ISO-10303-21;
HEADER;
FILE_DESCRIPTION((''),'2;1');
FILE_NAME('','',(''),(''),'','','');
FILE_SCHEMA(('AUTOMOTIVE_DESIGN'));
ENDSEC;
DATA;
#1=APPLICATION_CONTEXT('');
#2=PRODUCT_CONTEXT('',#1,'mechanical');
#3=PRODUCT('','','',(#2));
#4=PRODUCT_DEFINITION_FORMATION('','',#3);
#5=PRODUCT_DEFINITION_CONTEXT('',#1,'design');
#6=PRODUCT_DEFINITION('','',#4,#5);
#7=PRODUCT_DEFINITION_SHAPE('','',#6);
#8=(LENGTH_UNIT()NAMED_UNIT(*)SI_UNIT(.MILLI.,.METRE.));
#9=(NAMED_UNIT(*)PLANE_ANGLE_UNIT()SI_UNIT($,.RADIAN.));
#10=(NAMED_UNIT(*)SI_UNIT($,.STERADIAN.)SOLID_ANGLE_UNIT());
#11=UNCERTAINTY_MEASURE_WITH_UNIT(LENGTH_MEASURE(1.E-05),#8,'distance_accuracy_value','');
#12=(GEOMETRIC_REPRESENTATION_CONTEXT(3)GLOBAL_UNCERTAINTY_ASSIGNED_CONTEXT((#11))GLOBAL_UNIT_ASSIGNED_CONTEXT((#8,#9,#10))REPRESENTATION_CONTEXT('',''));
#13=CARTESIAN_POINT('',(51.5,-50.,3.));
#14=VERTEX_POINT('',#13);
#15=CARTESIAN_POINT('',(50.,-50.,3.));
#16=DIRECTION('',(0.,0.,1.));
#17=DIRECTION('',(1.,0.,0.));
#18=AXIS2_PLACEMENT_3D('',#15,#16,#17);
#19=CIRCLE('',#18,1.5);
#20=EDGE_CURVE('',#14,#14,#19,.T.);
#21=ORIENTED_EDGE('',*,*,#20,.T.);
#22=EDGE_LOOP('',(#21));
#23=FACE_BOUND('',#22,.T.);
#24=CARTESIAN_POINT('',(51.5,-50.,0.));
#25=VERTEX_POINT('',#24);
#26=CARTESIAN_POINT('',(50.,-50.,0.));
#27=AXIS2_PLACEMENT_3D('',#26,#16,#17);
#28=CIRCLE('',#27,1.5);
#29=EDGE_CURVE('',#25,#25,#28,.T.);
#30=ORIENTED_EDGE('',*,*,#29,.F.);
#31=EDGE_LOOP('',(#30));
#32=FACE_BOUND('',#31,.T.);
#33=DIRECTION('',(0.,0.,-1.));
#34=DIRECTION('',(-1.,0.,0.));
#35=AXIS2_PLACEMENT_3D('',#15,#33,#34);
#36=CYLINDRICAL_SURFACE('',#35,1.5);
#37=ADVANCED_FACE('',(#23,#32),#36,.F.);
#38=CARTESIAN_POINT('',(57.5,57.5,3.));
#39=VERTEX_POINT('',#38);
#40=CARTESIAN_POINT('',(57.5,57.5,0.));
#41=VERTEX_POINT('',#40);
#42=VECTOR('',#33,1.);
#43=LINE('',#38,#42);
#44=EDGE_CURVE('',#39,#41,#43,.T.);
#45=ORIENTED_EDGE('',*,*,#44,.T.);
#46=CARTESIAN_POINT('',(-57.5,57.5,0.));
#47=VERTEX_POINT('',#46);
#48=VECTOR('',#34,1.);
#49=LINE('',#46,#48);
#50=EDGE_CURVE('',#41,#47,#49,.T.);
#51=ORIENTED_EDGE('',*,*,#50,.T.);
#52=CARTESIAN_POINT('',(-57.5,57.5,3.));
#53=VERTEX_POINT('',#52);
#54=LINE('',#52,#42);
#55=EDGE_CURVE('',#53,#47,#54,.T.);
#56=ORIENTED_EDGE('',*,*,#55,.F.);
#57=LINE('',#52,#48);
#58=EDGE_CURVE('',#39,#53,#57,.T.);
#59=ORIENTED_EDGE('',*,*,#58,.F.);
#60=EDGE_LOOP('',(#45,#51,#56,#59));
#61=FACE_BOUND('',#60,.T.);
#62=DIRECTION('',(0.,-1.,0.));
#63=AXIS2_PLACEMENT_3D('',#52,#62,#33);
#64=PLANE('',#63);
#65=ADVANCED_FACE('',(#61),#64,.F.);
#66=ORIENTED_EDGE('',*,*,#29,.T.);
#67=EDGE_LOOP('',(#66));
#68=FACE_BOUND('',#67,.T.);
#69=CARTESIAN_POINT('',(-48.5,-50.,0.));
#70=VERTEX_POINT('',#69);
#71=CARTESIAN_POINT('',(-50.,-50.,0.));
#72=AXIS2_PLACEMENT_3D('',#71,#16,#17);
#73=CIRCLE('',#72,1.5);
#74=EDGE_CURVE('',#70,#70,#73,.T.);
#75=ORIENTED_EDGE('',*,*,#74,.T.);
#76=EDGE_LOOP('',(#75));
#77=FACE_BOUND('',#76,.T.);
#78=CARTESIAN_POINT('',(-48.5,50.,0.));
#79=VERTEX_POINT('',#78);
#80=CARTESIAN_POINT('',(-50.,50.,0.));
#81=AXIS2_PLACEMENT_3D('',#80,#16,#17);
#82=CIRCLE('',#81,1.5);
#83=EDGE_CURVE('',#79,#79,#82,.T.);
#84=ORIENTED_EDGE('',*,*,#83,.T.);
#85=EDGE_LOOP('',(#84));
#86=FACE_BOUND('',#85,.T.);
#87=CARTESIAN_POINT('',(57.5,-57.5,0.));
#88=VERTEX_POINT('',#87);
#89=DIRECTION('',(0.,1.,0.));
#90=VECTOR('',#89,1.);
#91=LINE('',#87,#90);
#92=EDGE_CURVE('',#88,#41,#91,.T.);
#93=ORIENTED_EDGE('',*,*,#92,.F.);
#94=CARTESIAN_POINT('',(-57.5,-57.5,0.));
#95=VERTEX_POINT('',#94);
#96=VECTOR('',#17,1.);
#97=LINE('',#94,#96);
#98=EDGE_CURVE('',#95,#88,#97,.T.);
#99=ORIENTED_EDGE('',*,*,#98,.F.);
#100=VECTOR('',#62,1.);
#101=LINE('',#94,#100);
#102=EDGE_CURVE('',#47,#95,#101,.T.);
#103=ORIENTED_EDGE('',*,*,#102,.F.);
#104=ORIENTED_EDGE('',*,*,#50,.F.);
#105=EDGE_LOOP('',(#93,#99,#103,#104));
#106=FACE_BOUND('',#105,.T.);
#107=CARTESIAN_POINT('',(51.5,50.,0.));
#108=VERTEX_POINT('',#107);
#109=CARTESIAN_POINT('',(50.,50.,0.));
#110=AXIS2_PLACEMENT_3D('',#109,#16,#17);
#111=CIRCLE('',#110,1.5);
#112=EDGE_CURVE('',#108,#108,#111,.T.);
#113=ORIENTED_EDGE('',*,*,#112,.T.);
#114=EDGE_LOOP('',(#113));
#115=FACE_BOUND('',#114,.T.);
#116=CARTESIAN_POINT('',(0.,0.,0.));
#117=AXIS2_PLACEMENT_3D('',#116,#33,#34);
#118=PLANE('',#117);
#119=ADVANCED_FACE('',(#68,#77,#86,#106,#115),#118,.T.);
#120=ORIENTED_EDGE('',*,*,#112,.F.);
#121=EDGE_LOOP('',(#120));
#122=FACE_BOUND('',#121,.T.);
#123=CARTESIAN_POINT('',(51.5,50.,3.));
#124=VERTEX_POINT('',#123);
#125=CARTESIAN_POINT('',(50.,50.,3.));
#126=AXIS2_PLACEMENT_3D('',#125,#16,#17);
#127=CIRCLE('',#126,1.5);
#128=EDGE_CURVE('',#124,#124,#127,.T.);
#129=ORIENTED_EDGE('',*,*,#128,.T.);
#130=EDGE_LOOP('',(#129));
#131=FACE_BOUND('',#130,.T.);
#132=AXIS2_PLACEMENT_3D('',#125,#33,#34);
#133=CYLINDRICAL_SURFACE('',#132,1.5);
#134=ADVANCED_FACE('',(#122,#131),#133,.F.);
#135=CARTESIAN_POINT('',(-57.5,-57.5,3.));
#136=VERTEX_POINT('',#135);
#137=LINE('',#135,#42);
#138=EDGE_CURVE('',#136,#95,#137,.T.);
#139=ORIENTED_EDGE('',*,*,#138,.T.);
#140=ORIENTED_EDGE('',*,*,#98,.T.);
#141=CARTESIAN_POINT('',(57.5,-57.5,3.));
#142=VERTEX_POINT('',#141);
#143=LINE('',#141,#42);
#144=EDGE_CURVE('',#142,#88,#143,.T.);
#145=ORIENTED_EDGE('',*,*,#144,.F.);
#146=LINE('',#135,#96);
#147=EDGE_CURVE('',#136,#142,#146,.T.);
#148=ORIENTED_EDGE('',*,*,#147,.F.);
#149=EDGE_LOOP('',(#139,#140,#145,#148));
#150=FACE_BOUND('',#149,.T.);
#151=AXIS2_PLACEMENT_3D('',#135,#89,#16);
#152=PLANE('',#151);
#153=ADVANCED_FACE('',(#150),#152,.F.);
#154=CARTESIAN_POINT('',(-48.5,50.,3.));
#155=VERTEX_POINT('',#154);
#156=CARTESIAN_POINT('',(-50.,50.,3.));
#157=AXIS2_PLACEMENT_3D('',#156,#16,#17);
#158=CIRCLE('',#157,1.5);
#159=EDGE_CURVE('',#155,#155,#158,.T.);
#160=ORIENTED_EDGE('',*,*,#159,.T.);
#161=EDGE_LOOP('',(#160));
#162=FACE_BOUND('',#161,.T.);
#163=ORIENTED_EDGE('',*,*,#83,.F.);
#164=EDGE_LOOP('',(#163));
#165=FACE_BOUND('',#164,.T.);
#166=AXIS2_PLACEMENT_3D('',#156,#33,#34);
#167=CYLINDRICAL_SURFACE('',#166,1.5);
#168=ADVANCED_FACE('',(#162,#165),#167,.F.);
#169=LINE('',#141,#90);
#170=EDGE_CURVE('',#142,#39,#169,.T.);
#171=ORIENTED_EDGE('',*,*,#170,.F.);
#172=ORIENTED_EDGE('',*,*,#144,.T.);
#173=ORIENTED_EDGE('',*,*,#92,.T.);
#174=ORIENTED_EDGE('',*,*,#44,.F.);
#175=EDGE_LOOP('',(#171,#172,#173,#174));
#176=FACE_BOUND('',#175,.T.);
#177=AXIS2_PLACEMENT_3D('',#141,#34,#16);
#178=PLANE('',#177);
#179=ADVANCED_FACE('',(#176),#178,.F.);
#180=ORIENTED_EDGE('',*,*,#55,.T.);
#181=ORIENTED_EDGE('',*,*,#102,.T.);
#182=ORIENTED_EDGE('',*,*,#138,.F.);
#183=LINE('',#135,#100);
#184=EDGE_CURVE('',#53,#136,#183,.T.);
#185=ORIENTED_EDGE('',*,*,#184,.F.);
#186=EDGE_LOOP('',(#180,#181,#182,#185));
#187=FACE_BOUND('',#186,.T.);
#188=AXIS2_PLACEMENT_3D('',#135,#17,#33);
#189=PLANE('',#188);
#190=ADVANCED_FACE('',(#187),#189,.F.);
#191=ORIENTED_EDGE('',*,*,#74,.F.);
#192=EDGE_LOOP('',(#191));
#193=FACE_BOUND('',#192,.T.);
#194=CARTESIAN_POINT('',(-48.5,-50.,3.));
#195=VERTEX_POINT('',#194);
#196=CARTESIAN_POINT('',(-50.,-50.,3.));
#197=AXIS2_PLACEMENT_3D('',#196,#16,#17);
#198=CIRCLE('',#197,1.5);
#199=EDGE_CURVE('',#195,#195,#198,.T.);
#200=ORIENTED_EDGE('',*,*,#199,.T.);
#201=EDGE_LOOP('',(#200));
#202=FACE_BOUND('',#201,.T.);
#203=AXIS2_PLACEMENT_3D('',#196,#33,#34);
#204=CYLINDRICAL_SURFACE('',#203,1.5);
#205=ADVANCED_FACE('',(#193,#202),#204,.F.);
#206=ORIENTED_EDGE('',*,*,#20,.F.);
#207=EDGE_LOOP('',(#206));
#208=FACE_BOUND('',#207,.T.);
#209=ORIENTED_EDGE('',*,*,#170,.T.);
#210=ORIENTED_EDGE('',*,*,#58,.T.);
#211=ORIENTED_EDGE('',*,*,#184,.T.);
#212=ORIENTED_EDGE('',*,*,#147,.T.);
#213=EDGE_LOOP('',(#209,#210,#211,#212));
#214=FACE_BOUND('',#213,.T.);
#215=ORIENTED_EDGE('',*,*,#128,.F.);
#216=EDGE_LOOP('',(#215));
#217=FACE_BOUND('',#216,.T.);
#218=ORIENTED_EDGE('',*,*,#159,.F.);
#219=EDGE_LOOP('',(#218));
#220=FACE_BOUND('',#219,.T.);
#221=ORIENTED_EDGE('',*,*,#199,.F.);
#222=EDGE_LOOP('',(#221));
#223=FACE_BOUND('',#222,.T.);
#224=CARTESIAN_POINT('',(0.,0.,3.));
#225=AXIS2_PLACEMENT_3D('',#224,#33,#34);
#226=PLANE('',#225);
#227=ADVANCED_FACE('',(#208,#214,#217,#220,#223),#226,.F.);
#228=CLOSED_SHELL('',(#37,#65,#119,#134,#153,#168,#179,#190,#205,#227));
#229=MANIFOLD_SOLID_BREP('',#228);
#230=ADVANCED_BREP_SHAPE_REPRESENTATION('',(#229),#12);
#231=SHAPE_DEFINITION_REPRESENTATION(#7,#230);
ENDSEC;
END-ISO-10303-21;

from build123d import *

# Parameters (mm, degrees)
SKETCH1_W           = 115
SKETCH1_H           = 115
SKETCH1_R           = 1.5
BOSS_EXTRUDE1_DEPTH = 3


with BuildPart() as part:
    # Sketch1 → Boss-Extrude1 (new body)
    with BuildSketch(Plane.XY):
        Rectangle(SKETCH1_W, SKETCH1_H)
        with Locations((-50, 50)):
            Circle(SKETCH1_R, mode=Mode.SUBTRACT)
        with Locations((50, 50)):
            Circle(SKETCH1_R, mode=Mode.SUBTRACT)
        with Locations((-50, -50)):
            Circle(SKETCH1_R, mode=Mode.SUBTRACT)
        with Locations((50, -50)):
            Circle(SKETCH1_R, mode=Mode.SUBTRACT)
    extrude(amount=BOSS_EXTRUDE1_DEPTH)


solid = part.part
